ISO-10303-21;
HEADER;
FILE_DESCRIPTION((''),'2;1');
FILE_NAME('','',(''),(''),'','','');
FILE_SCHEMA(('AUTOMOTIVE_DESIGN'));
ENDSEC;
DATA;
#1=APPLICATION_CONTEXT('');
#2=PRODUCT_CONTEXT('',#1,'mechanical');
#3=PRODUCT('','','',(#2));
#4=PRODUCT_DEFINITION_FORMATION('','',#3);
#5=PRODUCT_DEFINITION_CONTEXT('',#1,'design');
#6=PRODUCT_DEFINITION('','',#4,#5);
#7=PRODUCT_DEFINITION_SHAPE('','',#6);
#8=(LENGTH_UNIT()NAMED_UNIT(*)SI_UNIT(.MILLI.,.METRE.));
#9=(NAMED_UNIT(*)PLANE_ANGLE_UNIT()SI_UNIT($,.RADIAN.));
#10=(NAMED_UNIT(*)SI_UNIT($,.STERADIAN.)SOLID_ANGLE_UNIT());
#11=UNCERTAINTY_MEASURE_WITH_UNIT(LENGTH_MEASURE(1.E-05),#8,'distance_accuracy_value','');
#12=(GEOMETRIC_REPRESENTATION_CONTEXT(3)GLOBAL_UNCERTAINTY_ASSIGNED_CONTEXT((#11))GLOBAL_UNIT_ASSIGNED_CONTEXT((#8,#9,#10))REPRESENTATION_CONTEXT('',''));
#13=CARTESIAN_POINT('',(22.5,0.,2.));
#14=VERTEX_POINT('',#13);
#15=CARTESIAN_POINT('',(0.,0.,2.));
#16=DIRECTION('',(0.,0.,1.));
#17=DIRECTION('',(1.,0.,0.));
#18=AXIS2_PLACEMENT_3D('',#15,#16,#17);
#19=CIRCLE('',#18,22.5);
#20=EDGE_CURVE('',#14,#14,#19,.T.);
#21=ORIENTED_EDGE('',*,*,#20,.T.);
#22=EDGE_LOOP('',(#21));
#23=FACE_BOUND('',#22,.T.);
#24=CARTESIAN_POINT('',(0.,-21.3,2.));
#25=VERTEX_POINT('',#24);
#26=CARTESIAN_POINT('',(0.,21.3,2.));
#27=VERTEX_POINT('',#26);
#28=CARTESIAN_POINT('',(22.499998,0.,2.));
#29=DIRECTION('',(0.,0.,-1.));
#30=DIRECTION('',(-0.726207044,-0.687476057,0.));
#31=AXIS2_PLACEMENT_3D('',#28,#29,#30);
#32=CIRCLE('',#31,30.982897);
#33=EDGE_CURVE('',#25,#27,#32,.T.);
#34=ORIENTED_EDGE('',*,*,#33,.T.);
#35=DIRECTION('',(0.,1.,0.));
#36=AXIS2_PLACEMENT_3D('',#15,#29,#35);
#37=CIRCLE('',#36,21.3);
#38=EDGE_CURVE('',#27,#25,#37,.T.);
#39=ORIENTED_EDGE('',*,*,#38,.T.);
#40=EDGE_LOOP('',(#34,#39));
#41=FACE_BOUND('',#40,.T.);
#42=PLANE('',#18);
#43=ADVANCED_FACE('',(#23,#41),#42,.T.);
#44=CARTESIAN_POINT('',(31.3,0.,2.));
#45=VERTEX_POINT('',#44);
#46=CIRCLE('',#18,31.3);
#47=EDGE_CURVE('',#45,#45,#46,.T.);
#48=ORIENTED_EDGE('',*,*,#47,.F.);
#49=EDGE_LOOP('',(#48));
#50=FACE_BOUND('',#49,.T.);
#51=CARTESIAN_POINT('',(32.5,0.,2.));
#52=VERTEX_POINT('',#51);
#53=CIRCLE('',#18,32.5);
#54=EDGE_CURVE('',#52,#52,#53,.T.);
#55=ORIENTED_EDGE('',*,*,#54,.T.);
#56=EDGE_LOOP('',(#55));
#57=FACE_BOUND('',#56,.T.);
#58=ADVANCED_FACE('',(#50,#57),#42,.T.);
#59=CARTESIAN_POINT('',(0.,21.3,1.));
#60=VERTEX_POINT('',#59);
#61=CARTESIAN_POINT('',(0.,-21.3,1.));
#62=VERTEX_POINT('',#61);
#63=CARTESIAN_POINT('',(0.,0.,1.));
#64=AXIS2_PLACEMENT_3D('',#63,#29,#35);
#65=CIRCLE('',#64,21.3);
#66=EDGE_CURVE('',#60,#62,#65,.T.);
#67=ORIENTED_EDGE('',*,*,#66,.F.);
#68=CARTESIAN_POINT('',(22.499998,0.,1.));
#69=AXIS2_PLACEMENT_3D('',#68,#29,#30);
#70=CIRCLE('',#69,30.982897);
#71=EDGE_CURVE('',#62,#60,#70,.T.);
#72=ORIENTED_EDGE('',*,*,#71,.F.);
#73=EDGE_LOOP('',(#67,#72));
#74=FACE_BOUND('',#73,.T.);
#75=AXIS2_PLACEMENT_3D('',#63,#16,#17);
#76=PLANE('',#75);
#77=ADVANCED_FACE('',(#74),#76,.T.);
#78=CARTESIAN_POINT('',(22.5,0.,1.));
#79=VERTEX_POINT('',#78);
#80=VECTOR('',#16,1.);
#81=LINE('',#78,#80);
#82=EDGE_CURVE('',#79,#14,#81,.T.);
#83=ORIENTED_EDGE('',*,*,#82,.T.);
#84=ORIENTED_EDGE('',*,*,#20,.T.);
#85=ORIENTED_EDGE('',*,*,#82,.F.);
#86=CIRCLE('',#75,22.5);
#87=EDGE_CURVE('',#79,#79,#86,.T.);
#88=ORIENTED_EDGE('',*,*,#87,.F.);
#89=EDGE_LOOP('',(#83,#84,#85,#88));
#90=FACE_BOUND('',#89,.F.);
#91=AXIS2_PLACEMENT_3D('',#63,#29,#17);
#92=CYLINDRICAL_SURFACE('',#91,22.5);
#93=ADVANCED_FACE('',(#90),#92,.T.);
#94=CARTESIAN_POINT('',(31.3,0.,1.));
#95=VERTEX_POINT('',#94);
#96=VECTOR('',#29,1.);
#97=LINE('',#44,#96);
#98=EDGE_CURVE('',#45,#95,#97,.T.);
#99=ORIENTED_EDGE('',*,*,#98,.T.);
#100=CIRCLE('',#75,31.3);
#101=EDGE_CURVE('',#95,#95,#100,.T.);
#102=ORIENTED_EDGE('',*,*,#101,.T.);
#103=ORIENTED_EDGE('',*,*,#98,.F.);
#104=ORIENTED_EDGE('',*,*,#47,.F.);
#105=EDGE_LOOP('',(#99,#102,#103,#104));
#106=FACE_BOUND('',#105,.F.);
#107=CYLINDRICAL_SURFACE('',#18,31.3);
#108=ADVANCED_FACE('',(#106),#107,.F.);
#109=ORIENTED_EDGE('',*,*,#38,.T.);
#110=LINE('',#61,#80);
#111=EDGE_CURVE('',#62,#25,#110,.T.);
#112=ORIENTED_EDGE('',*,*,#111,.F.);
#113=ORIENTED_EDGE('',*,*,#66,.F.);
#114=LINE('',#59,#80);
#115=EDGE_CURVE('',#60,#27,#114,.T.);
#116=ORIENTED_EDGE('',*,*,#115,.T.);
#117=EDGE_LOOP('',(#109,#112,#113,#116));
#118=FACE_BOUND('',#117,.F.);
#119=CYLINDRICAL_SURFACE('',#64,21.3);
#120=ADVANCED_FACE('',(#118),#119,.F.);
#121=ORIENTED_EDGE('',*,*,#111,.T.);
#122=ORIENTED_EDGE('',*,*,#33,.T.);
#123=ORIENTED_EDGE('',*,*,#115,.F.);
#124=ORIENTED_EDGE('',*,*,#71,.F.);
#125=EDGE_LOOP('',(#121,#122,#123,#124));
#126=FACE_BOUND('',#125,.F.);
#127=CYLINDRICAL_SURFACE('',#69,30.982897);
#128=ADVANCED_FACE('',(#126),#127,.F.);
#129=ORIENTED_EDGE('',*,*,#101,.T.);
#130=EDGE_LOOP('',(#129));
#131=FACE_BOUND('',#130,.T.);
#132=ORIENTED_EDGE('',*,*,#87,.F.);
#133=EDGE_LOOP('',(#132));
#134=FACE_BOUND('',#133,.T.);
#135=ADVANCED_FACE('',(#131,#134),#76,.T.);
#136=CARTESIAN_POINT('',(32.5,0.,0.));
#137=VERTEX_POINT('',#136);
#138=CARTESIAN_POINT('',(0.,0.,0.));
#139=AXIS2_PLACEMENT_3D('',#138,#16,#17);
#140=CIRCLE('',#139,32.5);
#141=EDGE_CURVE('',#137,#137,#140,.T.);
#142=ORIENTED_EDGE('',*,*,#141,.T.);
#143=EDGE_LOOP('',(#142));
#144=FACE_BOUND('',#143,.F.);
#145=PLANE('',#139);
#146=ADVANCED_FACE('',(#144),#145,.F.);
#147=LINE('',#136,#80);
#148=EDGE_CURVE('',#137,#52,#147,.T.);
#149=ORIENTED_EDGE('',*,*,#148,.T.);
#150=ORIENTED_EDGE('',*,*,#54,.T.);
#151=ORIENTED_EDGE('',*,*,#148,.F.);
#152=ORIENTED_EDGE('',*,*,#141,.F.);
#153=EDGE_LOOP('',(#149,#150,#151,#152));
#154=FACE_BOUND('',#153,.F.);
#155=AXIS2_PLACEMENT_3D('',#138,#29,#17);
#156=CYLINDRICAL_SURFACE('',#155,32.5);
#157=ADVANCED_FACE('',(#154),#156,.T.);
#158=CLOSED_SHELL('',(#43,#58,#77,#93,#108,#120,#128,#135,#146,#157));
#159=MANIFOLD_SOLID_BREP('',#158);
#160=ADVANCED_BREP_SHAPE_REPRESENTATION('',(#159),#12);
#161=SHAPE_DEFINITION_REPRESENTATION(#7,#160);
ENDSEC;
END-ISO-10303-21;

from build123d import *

# Parameters (mm, degrees)
F0_R     = 32.5
F1_DEPTH = 2
F2_R     = 31.3
F3_DEPTH = 1
F4_R     = 22.5
F5_DEPTH = 1


with BuildPart() as f1:
    # F0 (on Top) → F1 (new body)
    with BuildSketch(Plane.XY):
        Circle(F0_R)
    extrude(amount=F1_DEPTH)

    # F2 (on face) → F3 (cut)
    with BuildSketch(Plane.XY.offset(2)):
        Circle(F2_R)
    extrude(amount=-F3_DEPTH, mode=Mode.SUBTRACT)

    # F4 (on face) → F5 (join)
    with BuildSketch(Plane.XY.offset(1)):
        Circle(F4_R)
        with BuildLine():
            ThreePointArc((0, -21.3), (-8.482899, 0), (0, 21.3))
            ThreePointArc((0, 21.3), (21.3, 0), (0, -21.3))
        make_face(mode=Mode.SUBTRACT)
    extrude(amount=F5_DEPTH)


solid = f1.part
